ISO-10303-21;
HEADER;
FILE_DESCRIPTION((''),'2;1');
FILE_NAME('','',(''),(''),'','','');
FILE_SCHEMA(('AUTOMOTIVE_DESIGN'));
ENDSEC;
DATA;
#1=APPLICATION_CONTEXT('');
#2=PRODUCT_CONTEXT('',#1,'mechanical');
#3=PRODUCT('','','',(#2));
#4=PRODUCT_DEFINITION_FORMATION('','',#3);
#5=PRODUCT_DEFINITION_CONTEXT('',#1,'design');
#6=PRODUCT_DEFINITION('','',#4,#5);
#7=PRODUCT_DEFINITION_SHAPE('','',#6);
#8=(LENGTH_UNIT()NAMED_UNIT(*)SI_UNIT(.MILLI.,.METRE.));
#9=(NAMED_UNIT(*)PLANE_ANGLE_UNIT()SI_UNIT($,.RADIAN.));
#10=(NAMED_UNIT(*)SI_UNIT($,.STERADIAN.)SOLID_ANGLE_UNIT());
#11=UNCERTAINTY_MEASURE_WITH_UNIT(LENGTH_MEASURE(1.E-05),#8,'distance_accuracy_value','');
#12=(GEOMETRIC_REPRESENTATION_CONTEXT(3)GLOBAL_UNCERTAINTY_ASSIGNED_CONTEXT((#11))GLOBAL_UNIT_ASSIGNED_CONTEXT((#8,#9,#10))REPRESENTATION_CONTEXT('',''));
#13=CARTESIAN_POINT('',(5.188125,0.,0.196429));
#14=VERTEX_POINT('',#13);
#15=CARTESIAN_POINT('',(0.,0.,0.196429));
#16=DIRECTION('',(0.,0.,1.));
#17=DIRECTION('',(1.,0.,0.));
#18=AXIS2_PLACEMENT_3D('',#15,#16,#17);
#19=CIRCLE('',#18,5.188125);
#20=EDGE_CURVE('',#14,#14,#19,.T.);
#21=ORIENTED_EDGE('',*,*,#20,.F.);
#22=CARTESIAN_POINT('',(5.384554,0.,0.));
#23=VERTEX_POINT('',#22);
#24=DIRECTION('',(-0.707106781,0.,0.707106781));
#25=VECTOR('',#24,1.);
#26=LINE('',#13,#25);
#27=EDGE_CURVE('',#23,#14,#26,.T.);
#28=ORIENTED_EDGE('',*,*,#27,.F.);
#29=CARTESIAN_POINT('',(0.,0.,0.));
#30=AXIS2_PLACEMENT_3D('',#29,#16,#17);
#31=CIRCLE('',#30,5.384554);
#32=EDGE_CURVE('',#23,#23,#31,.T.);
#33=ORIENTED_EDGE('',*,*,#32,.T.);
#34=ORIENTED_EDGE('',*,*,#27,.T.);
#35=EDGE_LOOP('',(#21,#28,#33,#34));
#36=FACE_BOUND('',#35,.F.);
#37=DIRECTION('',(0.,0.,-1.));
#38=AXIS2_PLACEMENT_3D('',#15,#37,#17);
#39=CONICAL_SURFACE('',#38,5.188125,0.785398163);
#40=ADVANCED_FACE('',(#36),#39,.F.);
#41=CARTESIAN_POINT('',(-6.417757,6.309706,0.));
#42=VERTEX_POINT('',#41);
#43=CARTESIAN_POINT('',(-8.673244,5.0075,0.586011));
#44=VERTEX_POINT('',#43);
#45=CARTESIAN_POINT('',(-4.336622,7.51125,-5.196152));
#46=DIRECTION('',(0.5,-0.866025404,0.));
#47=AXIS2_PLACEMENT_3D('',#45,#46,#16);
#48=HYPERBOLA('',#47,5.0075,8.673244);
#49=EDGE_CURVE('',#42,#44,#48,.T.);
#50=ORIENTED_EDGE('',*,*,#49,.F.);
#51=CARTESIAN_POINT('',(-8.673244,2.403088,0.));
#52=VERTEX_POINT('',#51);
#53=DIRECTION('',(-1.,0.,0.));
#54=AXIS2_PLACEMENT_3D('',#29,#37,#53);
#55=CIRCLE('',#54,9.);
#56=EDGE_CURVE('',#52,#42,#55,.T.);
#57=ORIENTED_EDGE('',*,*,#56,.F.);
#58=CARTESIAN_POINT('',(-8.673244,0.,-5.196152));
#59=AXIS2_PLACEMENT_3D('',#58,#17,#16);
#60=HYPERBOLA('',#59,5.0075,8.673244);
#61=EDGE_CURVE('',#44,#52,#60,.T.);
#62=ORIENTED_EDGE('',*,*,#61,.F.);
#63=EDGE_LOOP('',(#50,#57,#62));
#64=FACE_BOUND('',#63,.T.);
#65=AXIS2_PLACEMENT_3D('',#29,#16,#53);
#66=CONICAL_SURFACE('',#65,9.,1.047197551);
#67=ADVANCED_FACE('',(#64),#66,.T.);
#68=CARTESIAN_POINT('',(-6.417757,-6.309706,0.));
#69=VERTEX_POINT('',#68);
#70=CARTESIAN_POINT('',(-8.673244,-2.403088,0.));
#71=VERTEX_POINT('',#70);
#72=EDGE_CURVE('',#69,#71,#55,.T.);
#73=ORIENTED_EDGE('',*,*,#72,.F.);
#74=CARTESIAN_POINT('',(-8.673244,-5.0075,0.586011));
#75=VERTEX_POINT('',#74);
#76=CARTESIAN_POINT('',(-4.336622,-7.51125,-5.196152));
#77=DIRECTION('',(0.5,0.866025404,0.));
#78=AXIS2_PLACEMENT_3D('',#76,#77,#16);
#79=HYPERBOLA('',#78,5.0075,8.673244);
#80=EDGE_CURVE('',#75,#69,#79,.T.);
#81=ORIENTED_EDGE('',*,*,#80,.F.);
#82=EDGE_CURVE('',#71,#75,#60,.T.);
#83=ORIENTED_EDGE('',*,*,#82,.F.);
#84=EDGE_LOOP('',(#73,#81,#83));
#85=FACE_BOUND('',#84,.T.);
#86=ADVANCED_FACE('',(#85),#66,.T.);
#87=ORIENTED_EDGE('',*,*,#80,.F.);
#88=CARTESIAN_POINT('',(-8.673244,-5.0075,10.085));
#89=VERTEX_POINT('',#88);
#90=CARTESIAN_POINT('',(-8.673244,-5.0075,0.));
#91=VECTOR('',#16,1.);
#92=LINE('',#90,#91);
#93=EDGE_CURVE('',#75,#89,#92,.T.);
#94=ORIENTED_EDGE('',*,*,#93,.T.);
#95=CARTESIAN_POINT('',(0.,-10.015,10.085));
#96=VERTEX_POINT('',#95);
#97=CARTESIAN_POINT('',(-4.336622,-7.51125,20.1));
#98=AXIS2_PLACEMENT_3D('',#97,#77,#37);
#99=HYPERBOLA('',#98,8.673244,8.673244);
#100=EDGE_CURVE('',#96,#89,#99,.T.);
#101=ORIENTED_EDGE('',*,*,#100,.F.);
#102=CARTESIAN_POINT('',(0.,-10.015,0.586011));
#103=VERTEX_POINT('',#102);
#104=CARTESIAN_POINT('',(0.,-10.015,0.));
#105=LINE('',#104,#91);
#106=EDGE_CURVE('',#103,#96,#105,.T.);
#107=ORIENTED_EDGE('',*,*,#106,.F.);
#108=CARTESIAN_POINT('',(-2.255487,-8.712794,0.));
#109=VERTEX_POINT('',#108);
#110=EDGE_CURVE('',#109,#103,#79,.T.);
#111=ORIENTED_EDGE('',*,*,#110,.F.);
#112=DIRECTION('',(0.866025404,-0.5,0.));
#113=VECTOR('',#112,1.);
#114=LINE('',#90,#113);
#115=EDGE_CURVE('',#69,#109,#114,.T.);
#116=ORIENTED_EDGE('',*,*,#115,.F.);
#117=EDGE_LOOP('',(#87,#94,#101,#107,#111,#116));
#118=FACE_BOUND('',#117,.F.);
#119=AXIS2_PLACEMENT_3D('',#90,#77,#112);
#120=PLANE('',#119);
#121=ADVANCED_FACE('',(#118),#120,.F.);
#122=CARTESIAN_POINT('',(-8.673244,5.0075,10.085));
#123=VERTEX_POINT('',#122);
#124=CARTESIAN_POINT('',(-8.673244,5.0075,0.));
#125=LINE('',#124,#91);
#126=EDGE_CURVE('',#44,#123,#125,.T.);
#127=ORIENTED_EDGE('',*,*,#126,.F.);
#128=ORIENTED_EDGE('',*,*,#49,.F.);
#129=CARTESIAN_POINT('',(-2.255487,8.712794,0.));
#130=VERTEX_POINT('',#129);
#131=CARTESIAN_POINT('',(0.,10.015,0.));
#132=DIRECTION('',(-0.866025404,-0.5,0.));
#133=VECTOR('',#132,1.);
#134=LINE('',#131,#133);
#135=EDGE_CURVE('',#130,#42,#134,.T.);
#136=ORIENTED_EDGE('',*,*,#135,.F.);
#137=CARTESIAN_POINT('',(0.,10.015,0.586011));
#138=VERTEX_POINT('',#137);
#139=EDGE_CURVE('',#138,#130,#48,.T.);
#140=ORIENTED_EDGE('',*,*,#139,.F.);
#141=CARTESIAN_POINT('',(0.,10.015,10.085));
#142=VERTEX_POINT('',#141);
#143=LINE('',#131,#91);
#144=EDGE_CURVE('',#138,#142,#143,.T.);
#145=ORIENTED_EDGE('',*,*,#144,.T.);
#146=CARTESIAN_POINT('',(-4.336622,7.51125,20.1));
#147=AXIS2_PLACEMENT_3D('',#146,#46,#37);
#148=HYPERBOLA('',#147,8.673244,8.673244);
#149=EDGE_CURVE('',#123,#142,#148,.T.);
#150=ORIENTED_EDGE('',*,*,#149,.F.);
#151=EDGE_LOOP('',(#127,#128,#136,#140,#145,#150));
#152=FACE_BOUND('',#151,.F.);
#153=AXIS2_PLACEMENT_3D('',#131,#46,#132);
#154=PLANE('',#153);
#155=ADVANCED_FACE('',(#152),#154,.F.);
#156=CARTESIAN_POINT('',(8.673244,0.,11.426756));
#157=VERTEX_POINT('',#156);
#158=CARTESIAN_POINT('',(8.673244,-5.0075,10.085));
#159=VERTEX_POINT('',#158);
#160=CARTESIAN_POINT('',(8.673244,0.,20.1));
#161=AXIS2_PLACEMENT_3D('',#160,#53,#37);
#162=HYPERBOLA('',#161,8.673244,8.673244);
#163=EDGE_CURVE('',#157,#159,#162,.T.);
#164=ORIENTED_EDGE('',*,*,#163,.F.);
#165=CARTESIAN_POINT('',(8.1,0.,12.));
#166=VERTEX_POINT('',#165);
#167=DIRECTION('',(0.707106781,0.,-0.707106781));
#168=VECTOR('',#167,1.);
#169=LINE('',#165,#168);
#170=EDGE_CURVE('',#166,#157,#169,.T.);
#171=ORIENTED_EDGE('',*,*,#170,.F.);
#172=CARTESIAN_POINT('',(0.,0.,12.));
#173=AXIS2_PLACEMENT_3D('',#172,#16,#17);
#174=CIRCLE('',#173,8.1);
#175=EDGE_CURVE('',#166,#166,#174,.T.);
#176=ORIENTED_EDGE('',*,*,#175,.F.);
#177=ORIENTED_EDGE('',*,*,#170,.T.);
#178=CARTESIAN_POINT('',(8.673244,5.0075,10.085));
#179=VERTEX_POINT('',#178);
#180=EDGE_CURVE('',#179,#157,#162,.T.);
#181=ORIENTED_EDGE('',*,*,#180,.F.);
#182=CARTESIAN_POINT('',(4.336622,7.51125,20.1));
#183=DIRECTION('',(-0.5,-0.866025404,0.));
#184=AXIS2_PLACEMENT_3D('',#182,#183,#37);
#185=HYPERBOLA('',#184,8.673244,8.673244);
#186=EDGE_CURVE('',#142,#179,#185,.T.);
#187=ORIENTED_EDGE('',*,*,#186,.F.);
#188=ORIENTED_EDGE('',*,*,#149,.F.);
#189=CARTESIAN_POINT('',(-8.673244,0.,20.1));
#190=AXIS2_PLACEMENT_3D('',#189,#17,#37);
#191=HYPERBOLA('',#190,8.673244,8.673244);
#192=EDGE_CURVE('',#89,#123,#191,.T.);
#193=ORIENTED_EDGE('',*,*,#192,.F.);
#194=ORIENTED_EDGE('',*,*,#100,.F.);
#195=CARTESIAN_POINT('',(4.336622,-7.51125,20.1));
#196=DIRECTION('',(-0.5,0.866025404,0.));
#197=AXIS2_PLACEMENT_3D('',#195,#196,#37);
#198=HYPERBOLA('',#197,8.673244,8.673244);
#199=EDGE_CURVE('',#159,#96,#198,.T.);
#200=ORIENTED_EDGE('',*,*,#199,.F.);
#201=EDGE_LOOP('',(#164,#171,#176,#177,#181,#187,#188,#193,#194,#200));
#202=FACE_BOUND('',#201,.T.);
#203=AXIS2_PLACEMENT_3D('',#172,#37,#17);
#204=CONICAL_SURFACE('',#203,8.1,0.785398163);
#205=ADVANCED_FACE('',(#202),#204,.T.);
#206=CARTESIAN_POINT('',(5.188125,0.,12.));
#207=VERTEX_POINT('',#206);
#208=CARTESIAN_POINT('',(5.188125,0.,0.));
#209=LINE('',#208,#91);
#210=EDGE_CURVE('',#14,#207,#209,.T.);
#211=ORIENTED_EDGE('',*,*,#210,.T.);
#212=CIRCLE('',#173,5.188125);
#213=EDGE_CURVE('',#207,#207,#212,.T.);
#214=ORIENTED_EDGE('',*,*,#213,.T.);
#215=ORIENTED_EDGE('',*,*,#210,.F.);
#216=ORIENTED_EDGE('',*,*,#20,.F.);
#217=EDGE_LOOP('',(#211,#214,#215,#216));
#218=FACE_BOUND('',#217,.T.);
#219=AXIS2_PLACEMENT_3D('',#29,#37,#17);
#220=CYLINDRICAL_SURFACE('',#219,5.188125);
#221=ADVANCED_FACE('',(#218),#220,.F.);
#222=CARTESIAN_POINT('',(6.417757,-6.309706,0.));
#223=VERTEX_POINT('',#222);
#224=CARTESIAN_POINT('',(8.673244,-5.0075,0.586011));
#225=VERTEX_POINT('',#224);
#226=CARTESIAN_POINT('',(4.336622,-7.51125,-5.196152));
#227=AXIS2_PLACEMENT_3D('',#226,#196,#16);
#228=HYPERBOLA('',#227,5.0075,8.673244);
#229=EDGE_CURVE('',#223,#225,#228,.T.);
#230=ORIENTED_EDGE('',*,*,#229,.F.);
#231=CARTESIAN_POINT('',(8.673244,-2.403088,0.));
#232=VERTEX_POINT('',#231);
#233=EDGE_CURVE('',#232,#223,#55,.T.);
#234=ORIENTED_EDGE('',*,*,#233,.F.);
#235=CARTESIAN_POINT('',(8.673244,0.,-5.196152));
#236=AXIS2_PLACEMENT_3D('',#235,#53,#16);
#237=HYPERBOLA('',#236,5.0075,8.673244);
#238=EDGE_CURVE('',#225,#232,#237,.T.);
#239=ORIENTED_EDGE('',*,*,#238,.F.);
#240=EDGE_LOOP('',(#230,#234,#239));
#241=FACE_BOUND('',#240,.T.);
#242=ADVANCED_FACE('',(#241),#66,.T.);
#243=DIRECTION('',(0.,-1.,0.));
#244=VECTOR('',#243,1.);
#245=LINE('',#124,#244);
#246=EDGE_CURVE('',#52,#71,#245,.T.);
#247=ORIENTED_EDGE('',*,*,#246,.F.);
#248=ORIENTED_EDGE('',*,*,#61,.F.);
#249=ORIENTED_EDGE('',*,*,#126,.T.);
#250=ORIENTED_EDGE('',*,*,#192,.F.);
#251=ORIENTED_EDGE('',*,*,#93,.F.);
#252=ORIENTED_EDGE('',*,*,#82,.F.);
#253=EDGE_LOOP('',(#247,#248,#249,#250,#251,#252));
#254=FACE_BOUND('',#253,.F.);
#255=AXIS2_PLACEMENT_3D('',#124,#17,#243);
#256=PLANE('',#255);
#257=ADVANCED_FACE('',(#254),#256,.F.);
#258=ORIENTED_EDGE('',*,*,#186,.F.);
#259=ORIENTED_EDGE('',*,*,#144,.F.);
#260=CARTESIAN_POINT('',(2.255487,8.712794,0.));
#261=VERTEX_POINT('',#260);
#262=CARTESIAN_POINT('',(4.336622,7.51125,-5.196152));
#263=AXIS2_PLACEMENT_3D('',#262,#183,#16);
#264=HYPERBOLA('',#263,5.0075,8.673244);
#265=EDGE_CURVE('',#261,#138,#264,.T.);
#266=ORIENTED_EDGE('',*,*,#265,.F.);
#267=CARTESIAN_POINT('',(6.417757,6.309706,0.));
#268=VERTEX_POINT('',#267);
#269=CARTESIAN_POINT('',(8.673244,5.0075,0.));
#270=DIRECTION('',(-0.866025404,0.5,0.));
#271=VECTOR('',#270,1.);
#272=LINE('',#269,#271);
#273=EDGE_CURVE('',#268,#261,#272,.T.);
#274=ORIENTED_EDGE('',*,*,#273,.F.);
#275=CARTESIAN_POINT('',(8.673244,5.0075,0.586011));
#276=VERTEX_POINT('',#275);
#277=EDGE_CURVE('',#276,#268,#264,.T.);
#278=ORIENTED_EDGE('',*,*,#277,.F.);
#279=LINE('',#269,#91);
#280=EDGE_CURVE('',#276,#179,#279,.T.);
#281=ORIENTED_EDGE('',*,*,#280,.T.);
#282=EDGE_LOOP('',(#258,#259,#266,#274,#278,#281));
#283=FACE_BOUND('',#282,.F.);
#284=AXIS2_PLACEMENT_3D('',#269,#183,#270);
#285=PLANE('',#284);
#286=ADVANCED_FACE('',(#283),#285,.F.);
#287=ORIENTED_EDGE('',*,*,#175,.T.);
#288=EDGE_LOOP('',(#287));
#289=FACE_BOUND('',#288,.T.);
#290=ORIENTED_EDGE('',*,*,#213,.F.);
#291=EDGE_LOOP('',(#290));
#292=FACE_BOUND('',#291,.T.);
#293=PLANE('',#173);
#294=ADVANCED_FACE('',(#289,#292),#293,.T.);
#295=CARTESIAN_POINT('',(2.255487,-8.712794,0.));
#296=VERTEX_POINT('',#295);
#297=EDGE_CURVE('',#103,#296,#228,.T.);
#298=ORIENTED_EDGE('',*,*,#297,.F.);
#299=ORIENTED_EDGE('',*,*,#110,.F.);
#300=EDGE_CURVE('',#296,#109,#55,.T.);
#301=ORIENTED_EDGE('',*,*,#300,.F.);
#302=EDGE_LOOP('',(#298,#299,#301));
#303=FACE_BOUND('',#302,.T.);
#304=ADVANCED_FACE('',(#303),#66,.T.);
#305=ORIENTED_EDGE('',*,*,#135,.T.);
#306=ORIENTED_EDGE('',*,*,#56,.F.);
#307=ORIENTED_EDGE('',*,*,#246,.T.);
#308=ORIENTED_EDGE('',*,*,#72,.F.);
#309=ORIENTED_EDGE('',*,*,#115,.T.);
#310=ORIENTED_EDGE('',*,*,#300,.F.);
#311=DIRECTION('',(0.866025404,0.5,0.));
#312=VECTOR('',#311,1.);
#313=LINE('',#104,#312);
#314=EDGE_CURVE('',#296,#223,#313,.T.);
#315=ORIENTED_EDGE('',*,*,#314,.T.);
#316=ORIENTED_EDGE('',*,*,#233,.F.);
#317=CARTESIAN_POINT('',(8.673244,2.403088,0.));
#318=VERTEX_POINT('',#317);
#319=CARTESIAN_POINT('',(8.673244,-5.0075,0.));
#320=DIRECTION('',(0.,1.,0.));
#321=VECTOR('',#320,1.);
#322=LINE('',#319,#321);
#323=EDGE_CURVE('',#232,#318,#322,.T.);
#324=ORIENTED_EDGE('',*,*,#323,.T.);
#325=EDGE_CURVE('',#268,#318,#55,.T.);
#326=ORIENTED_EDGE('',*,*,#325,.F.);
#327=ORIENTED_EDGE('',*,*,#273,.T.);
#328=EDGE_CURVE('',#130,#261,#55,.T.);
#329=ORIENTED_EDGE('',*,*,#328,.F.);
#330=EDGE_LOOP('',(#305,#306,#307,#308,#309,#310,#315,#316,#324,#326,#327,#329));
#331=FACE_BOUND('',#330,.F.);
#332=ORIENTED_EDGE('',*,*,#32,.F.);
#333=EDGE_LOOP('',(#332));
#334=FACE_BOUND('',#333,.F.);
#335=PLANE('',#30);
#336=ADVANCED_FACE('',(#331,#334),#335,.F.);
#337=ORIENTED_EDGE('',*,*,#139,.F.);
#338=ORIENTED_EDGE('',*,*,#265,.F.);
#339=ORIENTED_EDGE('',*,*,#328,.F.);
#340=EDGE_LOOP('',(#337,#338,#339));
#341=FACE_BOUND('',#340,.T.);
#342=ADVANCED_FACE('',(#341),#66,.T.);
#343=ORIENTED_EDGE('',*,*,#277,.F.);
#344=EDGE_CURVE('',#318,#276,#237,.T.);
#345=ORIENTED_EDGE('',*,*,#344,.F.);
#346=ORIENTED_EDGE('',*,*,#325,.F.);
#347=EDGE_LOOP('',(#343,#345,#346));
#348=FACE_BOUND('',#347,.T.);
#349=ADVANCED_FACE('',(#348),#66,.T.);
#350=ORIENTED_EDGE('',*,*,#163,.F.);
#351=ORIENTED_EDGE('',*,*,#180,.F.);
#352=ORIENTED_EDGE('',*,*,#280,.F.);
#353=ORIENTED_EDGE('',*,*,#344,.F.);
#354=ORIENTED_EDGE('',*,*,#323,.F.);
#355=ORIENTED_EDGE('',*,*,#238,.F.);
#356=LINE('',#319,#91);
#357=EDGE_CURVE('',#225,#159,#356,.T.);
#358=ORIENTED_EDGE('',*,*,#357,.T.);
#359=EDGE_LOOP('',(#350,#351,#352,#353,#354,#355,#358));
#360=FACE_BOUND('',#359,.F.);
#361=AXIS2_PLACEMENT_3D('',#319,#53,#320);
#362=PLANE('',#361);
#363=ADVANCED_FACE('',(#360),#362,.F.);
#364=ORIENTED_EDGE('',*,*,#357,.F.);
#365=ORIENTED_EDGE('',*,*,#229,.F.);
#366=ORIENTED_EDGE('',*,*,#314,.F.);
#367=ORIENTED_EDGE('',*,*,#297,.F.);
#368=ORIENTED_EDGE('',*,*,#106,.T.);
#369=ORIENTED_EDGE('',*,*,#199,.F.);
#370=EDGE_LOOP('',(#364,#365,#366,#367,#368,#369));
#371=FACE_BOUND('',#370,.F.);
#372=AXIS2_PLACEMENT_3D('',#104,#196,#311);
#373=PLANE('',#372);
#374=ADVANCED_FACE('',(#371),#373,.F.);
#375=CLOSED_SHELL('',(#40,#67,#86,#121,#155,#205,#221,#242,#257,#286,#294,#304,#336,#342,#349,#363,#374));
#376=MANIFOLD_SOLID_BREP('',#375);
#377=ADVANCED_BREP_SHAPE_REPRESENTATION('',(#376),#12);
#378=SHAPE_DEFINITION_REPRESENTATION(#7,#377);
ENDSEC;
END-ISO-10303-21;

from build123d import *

# Parameters (mm, degrees)
SKETCH_1_R          = 5.188125
EXTRUDE_558_DEPTH   = 12
SKETCH_2_OUTSIDE_W  = 90.55
SKETCH_2_OUTSIDE_H  = 93.234
SKETCH_2_OUTSIDE_R  = 9
CUT_EXTRUDE_1_DEPTH = 18.87527325
CUT_EXTRUDE_1_DRAFT = -60
CHAMFER_1_SIZE      = 0.196428571
SKETCH_9_OUTSIDE_W  = 62.914
SKETCH_9_OUTSIDE_H  = 65.598
SKETCH_9_OUTSIDE_R  = 8.1
CUT_EXTRUDE_7_DEPTH = 18.87527325
CUT_EXTRUDE_7_DRAFT = -45


with BuildPart() as part:
    # 草图1 → Extrude 558 (new body)
    with BuildSketch(Plane.XY):
        Polygon((0, 10.015), (-8.673244419, 5.0075), (-8.673244419, -5.0075), (0, -10.015), (8.673244419, -5.0075), (8.673244419, 5.0075), align=None)
        Circle(SKETCH_1_R, mode=Mode.SUBTRACT)
    extrude(amount=EXTRUDE_558_DEPTH)


with BuildPart() as cut_extrude_1_tool:
    # 草图2 outside → 切除-拉伸1 (with draft: the straight prism first)
    with BuildSketch(Plane(origin=(0, 0, 0), x_dir=(-1, 0, 0), z_dir=(0, 0, -1))):
        Rectangle(SKETCH_2_OUTSIDE_W, SKETCH_2_OUTSIDE_H)
        Circle(SKETCH_2_OUTSIDE_R, mode=Mode.SUBTRACT)
    extrude(amount=-CUT_EXTRUDE_1_DEPTH)
    # 切除-拉伸1: the draft: its side faces are tilted about the plane it starts from
    cut_extrude_1_sides = [cut_extrude_1_tool.faces().sort_by_distance(p)[0] for p in [
        (0, -46.617, 9.437636625),
        (-45.275, 0, 9.437636625),
        (0, 46.617, 9.437636625),
        (45.275, 0, 9.437636625),
        (9, 0, 9.437636625),
    ]]
    draft(cut_extrude_1_sides, Plane(origin=(0, 0, 0), x_dir=(-1, 0, 0), z_dir=(0, 0, -1)), CUT_EXTRUDE_1_DRAFT)


with BuildPart() as part_1:
    add(part.part)

    # 切除-拉伸1: cut by cut_extrude_1_tool
    add(cut_extrude_1_tool.part, mode=Mode.SUBTRACT)

    # 倒角1
    chamfer_1_edges = [part_1.edges().sort_by_distance(p)[0] for p in [
        (-5.188125, 0, 0),
    ]]
    chamfer(chamfer_1_edges, length=CHAMFER_1_SIZE)


with BuildPart() as cut_extrude_7_tool:
    # 草图9 outside → 切除-拉伸7 (with draft: the straight prism first)
    with BuildSketch(Plane.XY.offset(12)):
        Rectangle(SKETCH_9_OUTSIDE_W, SKETCH_9_OUTSIDE_H)
        Circle(SKETCH_9_OUTSIDE_R, mode=Mode.SUBTRACT)
    extrude(amount=-CUT_EXTRUDE_7_DEPTH)
    # 切除-拉伸7: the draft: its side faces are tilted about the plane it starts from
    cut_extrude_7_sides = [cut_extrude_7_tool.faces().sort_by_distance(p)[0] for p in [
        (0, -32.799, 2.562363375),
        (31.457, 0, 2.562363375),
        (0, 32.799, 2.562363375),
        (-31.457, 0, 2.562363375),
        (-8.1, 0, 2.562363375),
    ]]
    draft(cut_extrude_7_sides, Plane.XY.offset(12), CUT_EXTRUDE_7_DRAFT)


with BuildPart() as part_2:
    add(part_1.part)

    # 切除-拉伸7: cut by cut_extrude_7_tool
    add(cut_extrude_7_tool.part, mode=Mode.SUBTRACT)


solid = part_2.part
